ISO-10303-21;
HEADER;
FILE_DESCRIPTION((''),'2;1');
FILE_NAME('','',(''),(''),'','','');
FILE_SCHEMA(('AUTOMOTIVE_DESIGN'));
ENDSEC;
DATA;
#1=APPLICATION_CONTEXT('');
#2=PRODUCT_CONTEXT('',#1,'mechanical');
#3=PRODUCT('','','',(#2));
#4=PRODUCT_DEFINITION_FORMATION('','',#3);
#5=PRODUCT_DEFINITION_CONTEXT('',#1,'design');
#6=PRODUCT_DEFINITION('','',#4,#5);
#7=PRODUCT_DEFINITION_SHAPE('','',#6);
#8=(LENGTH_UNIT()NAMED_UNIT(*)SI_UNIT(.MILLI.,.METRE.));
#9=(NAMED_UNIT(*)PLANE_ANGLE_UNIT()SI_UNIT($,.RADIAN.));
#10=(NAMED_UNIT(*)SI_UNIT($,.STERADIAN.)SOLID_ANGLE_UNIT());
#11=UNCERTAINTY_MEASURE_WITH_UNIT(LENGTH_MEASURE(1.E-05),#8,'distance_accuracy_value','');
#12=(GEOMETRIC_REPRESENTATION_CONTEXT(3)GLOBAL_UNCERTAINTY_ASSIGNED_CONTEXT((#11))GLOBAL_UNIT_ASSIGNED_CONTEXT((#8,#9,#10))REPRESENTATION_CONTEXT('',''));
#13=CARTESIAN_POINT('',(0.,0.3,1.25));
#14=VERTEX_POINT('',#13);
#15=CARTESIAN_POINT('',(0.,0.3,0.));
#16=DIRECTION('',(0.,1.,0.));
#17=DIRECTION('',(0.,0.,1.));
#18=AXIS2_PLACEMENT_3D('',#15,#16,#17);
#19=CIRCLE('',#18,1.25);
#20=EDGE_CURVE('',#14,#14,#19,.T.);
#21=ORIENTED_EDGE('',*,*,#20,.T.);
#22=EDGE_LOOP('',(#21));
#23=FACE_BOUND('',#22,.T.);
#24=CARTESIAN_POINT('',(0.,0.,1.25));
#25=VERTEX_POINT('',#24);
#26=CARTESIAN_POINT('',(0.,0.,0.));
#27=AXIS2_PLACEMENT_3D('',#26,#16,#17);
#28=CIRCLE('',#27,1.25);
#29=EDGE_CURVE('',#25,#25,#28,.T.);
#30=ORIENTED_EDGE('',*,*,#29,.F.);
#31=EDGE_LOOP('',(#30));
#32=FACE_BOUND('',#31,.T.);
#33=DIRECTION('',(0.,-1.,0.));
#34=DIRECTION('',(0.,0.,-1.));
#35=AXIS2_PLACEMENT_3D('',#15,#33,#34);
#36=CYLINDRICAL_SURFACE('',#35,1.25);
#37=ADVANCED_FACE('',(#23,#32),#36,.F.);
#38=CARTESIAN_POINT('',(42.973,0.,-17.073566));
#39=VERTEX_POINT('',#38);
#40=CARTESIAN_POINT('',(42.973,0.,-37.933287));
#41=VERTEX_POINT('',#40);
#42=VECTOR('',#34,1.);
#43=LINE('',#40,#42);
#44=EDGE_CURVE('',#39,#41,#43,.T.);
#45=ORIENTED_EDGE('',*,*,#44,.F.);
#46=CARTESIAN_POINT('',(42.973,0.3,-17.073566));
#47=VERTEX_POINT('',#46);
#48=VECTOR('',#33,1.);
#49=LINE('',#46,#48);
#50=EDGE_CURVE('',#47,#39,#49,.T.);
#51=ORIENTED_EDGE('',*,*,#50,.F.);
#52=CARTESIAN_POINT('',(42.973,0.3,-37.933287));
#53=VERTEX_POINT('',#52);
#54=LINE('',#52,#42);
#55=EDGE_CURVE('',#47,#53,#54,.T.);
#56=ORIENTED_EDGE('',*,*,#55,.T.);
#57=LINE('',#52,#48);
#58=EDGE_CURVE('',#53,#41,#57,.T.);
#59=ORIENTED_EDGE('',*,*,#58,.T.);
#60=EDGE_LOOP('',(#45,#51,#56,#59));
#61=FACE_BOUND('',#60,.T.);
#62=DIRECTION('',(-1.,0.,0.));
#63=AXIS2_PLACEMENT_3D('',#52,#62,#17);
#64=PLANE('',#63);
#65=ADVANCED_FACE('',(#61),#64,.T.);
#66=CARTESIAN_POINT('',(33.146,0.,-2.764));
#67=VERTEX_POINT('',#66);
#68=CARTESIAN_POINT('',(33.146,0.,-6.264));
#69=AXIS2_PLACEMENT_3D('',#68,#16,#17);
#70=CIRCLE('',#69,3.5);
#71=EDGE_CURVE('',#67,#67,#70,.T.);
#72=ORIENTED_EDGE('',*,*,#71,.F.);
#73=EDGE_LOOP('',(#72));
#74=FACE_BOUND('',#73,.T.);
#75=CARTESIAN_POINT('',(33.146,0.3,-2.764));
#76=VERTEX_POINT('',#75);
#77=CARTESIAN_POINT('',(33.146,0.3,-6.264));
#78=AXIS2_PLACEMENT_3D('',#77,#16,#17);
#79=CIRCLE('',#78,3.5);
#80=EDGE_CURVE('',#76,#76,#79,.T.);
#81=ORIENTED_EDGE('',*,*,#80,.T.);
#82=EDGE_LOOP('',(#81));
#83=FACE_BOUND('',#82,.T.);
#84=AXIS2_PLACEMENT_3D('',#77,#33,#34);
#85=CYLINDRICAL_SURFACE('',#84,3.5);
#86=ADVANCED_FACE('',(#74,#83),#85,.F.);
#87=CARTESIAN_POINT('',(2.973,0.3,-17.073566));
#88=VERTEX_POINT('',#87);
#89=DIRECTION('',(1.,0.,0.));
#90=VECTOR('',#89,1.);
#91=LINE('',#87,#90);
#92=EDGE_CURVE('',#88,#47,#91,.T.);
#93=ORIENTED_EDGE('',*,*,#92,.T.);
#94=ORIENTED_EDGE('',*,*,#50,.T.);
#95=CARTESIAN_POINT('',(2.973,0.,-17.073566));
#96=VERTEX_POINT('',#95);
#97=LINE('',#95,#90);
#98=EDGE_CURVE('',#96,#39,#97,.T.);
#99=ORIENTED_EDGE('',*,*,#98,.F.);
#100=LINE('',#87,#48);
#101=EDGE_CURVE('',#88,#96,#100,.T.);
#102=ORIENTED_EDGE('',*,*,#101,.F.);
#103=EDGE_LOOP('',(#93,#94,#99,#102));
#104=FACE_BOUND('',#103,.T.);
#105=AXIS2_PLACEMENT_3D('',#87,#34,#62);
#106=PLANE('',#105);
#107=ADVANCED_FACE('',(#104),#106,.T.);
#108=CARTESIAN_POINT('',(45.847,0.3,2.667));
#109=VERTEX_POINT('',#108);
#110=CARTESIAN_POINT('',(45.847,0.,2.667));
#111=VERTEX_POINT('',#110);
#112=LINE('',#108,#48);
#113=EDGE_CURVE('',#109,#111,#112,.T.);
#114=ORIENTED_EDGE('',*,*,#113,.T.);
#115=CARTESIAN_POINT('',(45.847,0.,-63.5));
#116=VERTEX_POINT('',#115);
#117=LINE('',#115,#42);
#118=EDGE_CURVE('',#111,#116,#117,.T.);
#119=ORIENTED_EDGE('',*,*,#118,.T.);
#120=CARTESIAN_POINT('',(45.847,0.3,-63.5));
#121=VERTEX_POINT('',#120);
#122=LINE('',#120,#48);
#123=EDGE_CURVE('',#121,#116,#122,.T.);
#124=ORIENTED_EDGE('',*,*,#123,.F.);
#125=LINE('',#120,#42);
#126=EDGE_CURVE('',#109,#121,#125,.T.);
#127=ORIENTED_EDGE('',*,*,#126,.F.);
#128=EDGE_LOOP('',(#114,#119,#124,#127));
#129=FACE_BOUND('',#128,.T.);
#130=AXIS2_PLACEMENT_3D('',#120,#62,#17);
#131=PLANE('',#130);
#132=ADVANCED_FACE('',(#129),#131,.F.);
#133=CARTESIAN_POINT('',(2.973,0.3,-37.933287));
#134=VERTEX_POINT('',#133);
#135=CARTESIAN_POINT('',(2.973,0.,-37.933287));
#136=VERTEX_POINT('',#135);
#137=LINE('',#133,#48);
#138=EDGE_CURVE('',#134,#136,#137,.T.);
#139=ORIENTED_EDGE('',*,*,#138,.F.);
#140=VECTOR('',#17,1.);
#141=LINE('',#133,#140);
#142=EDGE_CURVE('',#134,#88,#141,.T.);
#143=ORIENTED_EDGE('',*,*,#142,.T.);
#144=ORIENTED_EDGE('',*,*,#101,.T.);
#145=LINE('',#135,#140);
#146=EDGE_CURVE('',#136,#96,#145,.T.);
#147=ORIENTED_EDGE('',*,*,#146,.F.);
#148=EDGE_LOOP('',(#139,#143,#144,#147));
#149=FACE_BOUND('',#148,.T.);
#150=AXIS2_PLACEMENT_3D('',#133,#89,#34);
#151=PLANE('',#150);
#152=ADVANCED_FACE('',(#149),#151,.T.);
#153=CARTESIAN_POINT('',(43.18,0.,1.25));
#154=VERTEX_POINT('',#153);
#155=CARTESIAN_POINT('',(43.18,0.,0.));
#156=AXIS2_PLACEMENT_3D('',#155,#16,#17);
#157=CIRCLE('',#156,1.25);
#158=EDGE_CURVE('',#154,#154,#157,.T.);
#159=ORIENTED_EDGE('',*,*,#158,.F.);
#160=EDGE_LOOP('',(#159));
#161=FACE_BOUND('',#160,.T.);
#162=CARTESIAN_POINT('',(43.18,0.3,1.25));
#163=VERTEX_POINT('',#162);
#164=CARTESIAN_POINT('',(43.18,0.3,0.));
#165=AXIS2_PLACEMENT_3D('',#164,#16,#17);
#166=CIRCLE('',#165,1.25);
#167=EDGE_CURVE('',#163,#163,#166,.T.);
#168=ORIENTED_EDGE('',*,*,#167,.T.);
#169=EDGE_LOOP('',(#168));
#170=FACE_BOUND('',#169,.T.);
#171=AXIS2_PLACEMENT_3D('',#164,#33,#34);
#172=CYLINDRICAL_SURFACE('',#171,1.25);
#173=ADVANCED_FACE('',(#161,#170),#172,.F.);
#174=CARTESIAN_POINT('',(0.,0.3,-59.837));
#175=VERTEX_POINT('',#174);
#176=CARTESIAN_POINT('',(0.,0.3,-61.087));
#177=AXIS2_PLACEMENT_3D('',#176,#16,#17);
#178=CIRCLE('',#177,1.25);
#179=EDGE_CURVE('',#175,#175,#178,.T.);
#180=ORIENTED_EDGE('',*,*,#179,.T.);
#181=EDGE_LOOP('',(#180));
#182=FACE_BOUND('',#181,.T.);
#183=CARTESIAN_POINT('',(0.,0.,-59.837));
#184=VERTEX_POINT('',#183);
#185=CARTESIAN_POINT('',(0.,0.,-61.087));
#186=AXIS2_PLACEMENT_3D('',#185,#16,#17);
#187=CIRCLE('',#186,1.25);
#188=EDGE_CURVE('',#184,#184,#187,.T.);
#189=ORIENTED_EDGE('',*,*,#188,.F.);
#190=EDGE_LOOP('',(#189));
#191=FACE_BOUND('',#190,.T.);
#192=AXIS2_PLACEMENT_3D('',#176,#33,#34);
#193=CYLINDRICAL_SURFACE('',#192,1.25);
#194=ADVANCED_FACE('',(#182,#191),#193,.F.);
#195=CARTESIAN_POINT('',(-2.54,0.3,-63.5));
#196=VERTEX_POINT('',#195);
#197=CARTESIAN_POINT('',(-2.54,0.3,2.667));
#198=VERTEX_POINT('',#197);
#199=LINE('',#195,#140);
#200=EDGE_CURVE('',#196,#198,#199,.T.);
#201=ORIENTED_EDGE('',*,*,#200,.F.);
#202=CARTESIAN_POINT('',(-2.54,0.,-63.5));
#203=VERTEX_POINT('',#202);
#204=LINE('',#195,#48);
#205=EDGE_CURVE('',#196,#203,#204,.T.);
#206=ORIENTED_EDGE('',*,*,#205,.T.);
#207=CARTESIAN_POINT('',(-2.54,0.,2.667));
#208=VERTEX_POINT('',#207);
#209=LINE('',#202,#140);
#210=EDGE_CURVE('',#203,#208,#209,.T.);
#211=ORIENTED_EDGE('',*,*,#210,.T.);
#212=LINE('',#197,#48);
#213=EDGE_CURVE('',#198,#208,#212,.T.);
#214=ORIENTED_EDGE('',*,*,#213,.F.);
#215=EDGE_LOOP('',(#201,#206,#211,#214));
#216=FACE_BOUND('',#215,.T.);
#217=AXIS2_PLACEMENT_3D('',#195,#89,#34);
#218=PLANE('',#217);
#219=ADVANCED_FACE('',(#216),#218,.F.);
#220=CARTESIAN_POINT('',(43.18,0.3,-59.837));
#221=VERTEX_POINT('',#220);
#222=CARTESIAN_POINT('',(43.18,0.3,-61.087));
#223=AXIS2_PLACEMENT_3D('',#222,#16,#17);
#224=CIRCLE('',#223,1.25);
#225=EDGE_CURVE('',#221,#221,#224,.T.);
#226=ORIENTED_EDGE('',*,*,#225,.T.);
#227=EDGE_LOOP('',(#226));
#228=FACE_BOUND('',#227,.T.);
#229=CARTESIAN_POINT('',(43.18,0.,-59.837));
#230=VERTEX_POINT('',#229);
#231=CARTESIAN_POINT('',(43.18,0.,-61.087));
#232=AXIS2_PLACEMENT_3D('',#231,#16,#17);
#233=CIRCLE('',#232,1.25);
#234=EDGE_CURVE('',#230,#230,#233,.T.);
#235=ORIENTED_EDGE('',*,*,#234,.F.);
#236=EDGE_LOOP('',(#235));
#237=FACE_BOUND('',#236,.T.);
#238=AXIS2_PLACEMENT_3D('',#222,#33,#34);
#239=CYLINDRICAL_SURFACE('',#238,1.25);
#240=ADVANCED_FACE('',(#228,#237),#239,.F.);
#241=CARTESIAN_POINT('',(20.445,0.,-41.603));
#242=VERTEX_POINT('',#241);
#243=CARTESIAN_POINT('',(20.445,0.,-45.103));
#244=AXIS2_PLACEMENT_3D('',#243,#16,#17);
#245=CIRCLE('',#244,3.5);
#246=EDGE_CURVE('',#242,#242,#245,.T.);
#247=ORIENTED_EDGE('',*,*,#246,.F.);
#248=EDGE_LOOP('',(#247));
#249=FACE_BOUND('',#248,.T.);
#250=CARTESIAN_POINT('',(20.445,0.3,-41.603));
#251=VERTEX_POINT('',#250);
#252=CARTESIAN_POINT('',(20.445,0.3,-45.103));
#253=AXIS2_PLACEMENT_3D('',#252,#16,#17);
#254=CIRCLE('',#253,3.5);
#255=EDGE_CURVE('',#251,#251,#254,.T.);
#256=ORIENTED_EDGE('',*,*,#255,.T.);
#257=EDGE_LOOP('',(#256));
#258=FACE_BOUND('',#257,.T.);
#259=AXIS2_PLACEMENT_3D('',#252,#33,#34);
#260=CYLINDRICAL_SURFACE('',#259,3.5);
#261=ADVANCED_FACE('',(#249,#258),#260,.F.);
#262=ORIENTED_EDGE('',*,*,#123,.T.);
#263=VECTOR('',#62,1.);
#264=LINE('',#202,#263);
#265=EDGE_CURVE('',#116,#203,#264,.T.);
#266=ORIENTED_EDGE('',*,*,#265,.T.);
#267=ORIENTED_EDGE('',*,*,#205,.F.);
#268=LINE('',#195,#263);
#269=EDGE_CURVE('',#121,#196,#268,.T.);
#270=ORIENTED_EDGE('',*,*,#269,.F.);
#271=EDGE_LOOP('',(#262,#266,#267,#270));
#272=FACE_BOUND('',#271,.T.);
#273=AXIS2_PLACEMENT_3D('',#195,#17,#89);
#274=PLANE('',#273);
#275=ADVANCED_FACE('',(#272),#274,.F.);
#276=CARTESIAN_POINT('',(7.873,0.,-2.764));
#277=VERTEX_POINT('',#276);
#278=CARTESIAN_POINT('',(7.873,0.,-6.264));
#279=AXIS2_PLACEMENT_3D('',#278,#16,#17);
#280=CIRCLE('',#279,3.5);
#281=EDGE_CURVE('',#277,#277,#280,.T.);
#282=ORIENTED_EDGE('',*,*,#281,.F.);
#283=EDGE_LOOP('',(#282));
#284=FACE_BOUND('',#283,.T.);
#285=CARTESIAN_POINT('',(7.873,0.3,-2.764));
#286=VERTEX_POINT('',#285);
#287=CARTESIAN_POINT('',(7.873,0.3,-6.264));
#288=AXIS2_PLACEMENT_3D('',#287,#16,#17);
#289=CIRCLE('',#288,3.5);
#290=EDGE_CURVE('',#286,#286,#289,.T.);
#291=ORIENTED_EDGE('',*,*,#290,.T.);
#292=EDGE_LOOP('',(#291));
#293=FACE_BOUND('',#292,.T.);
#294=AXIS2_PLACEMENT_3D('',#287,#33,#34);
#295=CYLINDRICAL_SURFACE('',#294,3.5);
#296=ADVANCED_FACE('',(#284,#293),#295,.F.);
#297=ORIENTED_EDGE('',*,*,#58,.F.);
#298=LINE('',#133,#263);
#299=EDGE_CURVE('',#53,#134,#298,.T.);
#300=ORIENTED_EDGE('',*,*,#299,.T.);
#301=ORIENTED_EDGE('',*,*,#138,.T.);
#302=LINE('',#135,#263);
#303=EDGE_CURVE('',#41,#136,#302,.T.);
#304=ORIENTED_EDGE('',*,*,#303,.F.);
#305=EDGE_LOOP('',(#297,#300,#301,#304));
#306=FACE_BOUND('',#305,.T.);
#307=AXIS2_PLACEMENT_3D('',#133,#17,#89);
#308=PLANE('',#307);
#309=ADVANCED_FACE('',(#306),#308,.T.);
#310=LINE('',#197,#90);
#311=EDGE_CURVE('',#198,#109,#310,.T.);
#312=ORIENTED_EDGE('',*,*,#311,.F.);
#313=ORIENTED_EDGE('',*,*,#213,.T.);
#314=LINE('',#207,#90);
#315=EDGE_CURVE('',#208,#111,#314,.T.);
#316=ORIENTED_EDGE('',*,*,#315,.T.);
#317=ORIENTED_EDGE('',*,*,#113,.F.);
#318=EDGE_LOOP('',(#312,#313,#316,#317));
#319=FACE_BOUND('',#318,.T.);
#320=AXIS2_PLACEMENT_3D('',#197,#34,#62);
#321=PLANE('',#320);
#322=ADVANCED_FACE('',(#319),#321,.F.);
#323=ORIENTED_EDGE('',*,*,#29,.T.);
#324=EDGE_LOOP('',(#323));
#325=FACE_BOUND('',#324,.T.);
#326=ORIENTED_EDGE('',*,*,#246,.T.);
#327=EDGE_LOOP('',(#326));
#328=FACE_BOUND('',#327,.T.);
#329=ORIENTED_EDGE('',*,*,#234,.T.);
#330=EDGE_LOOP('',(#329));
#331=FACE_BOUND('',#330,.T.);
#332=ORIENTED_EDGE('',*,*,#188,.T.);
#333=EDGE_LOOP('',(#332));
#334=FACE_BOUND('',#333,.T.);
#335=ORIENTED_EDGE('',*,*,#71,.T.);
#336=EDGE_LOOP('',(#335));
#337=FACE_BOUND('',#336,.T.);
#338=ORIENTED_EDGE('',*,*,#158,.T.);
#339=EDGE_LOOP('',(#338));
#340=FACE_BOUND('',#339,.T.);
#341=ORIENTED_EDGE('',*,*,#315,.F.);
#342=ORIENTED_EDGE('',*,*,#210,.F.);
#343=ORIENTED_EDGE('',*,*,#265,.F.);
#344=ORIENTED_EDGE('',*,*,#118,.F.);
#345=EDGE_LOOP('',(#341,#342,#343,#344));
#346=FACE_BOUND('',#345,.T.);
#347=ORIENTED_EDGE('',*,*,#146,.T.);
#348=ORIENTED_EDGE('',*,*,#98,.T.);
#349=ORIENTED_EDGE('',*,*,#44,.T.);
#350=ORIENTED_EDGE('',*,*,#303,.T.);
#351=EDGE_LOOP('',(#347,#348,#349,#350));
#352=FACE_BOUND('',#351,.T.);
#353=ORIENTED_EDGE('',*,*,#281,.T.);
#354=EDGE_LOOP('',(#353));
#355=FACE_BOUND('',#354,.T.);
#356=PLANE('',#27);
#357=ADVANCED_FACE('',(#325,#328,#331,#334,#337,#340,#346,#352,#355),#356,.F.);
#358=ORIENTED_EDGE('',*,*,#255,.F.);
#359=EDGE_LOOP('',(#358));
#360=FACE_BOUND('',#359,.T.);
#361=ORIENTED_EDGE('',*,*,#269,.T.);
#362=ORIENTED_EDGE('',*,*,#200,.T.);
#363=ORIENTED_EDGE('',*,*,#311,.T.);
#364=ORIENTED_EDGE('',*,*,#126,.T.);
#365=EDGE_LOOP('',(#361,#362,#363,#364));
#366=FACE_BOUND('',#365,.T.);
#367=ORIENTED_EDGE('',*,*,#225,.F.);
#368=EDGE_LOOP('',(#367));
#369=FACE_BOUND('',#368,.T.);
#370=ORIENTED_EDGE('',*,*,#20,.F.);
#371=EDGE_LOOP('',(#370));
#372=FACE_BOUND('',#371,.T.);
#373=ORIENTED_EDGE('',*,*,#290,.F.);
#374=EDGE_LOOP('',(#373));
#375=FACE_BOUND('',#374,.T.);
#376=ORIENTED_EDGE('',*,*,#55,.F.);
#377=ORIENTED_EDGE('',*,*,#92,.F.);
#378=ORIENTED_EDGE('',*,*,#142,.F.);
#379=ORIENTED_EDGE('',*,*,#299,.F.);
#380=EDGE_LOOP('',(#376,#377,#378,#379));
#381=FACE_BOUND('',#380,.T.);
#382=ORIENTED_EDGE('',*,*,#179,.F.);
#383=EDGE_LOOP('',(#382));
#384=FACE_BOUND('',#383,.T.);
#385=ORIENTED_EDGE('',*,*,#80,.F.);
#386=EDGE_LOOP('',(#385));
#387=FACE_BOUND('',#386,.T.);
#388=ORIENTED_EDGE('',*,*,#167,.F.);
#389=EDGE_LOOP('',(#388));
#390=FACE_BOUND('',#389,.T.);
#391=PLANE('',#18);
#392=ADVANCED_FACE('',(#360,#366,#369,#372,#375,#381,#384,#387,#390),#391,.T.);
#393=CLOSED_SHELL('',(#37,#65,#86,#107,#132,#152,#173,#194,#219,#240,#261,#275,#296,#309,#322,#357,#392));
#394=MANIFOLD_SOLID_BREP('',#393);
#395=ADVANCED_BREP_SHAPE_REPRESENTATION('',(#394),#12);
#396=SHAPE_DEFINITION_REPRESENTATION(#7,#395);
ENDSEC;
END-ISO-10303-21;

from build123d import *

# Parameters (mm, degrees)
SKETCH1_W           = 48.387
SKETCH1_H           = 66.167
SKETCH1_R           = 1.25
SKETCH1_R_2         = 3.5
SKETCH1_W_2         = 40
SKETCH1_H_2         = 20.859720554
BOSS_EXTRUDE1_DEPTH = 0.3


with BuildPart() as part:
    # Sketch1 → Boss-Extrude1 (new body)
    with BuildSketch(Plane(origin=(0, 0, 0), x_dir=(1, 0, 0), z_dir=(0, 1, 0))):
        with Locations((21.6535, 30.4165)):
            Rectangle(SKETCH1_W, SKETCH1_H)
        with Locations(Location((0, 61.087, 0), (0, 0, 270))):
            Circle(SKETCH1_R, mode=Mode.SUBTRACT)
        with Locations(Location((43.18, 61.087, 0), (0, 0, 270))):
            Circle(SKETCH1_R, mode=Mode.SUBTRACT)
        with Locations(Location((43.18, 0, 0), (0, 0, 270))):
            Circle(SKETCH1_R, mode=Mode.SUBTRACT)
        with Locations(Location((0, 0, 0), (0, 0, 270))):
            Circle(SKETCH1_R, mode=Mode.SUBTRACT)
        with Locations(Location((20.445, 45.103, 0), (0, 0, 270))):
            Circle(SKETCH1_R_2, mode=Mode.SUBTRACT)
        with Locations(Location((33.146, 6.264, 0), (0, 0, 270))):
            Circle(SKETCH1_R_2, mode=Mode.SUBTRACT)
        with Locations(Location((7.873, 6.264, 0), (0, 0, 270))):
            Circle(SKETCH1_R_2, mode=Mode.SUBTRACT)
        with Locations((22.973, 27.503426638)):
            Rectangle(SKETCH1_W_2, SKETCH1_H_2, mode=Mode.SUBTRACT)
    extrude(amount=BOSS_EXTRUDE1_DEPTH)


solid = part.part
